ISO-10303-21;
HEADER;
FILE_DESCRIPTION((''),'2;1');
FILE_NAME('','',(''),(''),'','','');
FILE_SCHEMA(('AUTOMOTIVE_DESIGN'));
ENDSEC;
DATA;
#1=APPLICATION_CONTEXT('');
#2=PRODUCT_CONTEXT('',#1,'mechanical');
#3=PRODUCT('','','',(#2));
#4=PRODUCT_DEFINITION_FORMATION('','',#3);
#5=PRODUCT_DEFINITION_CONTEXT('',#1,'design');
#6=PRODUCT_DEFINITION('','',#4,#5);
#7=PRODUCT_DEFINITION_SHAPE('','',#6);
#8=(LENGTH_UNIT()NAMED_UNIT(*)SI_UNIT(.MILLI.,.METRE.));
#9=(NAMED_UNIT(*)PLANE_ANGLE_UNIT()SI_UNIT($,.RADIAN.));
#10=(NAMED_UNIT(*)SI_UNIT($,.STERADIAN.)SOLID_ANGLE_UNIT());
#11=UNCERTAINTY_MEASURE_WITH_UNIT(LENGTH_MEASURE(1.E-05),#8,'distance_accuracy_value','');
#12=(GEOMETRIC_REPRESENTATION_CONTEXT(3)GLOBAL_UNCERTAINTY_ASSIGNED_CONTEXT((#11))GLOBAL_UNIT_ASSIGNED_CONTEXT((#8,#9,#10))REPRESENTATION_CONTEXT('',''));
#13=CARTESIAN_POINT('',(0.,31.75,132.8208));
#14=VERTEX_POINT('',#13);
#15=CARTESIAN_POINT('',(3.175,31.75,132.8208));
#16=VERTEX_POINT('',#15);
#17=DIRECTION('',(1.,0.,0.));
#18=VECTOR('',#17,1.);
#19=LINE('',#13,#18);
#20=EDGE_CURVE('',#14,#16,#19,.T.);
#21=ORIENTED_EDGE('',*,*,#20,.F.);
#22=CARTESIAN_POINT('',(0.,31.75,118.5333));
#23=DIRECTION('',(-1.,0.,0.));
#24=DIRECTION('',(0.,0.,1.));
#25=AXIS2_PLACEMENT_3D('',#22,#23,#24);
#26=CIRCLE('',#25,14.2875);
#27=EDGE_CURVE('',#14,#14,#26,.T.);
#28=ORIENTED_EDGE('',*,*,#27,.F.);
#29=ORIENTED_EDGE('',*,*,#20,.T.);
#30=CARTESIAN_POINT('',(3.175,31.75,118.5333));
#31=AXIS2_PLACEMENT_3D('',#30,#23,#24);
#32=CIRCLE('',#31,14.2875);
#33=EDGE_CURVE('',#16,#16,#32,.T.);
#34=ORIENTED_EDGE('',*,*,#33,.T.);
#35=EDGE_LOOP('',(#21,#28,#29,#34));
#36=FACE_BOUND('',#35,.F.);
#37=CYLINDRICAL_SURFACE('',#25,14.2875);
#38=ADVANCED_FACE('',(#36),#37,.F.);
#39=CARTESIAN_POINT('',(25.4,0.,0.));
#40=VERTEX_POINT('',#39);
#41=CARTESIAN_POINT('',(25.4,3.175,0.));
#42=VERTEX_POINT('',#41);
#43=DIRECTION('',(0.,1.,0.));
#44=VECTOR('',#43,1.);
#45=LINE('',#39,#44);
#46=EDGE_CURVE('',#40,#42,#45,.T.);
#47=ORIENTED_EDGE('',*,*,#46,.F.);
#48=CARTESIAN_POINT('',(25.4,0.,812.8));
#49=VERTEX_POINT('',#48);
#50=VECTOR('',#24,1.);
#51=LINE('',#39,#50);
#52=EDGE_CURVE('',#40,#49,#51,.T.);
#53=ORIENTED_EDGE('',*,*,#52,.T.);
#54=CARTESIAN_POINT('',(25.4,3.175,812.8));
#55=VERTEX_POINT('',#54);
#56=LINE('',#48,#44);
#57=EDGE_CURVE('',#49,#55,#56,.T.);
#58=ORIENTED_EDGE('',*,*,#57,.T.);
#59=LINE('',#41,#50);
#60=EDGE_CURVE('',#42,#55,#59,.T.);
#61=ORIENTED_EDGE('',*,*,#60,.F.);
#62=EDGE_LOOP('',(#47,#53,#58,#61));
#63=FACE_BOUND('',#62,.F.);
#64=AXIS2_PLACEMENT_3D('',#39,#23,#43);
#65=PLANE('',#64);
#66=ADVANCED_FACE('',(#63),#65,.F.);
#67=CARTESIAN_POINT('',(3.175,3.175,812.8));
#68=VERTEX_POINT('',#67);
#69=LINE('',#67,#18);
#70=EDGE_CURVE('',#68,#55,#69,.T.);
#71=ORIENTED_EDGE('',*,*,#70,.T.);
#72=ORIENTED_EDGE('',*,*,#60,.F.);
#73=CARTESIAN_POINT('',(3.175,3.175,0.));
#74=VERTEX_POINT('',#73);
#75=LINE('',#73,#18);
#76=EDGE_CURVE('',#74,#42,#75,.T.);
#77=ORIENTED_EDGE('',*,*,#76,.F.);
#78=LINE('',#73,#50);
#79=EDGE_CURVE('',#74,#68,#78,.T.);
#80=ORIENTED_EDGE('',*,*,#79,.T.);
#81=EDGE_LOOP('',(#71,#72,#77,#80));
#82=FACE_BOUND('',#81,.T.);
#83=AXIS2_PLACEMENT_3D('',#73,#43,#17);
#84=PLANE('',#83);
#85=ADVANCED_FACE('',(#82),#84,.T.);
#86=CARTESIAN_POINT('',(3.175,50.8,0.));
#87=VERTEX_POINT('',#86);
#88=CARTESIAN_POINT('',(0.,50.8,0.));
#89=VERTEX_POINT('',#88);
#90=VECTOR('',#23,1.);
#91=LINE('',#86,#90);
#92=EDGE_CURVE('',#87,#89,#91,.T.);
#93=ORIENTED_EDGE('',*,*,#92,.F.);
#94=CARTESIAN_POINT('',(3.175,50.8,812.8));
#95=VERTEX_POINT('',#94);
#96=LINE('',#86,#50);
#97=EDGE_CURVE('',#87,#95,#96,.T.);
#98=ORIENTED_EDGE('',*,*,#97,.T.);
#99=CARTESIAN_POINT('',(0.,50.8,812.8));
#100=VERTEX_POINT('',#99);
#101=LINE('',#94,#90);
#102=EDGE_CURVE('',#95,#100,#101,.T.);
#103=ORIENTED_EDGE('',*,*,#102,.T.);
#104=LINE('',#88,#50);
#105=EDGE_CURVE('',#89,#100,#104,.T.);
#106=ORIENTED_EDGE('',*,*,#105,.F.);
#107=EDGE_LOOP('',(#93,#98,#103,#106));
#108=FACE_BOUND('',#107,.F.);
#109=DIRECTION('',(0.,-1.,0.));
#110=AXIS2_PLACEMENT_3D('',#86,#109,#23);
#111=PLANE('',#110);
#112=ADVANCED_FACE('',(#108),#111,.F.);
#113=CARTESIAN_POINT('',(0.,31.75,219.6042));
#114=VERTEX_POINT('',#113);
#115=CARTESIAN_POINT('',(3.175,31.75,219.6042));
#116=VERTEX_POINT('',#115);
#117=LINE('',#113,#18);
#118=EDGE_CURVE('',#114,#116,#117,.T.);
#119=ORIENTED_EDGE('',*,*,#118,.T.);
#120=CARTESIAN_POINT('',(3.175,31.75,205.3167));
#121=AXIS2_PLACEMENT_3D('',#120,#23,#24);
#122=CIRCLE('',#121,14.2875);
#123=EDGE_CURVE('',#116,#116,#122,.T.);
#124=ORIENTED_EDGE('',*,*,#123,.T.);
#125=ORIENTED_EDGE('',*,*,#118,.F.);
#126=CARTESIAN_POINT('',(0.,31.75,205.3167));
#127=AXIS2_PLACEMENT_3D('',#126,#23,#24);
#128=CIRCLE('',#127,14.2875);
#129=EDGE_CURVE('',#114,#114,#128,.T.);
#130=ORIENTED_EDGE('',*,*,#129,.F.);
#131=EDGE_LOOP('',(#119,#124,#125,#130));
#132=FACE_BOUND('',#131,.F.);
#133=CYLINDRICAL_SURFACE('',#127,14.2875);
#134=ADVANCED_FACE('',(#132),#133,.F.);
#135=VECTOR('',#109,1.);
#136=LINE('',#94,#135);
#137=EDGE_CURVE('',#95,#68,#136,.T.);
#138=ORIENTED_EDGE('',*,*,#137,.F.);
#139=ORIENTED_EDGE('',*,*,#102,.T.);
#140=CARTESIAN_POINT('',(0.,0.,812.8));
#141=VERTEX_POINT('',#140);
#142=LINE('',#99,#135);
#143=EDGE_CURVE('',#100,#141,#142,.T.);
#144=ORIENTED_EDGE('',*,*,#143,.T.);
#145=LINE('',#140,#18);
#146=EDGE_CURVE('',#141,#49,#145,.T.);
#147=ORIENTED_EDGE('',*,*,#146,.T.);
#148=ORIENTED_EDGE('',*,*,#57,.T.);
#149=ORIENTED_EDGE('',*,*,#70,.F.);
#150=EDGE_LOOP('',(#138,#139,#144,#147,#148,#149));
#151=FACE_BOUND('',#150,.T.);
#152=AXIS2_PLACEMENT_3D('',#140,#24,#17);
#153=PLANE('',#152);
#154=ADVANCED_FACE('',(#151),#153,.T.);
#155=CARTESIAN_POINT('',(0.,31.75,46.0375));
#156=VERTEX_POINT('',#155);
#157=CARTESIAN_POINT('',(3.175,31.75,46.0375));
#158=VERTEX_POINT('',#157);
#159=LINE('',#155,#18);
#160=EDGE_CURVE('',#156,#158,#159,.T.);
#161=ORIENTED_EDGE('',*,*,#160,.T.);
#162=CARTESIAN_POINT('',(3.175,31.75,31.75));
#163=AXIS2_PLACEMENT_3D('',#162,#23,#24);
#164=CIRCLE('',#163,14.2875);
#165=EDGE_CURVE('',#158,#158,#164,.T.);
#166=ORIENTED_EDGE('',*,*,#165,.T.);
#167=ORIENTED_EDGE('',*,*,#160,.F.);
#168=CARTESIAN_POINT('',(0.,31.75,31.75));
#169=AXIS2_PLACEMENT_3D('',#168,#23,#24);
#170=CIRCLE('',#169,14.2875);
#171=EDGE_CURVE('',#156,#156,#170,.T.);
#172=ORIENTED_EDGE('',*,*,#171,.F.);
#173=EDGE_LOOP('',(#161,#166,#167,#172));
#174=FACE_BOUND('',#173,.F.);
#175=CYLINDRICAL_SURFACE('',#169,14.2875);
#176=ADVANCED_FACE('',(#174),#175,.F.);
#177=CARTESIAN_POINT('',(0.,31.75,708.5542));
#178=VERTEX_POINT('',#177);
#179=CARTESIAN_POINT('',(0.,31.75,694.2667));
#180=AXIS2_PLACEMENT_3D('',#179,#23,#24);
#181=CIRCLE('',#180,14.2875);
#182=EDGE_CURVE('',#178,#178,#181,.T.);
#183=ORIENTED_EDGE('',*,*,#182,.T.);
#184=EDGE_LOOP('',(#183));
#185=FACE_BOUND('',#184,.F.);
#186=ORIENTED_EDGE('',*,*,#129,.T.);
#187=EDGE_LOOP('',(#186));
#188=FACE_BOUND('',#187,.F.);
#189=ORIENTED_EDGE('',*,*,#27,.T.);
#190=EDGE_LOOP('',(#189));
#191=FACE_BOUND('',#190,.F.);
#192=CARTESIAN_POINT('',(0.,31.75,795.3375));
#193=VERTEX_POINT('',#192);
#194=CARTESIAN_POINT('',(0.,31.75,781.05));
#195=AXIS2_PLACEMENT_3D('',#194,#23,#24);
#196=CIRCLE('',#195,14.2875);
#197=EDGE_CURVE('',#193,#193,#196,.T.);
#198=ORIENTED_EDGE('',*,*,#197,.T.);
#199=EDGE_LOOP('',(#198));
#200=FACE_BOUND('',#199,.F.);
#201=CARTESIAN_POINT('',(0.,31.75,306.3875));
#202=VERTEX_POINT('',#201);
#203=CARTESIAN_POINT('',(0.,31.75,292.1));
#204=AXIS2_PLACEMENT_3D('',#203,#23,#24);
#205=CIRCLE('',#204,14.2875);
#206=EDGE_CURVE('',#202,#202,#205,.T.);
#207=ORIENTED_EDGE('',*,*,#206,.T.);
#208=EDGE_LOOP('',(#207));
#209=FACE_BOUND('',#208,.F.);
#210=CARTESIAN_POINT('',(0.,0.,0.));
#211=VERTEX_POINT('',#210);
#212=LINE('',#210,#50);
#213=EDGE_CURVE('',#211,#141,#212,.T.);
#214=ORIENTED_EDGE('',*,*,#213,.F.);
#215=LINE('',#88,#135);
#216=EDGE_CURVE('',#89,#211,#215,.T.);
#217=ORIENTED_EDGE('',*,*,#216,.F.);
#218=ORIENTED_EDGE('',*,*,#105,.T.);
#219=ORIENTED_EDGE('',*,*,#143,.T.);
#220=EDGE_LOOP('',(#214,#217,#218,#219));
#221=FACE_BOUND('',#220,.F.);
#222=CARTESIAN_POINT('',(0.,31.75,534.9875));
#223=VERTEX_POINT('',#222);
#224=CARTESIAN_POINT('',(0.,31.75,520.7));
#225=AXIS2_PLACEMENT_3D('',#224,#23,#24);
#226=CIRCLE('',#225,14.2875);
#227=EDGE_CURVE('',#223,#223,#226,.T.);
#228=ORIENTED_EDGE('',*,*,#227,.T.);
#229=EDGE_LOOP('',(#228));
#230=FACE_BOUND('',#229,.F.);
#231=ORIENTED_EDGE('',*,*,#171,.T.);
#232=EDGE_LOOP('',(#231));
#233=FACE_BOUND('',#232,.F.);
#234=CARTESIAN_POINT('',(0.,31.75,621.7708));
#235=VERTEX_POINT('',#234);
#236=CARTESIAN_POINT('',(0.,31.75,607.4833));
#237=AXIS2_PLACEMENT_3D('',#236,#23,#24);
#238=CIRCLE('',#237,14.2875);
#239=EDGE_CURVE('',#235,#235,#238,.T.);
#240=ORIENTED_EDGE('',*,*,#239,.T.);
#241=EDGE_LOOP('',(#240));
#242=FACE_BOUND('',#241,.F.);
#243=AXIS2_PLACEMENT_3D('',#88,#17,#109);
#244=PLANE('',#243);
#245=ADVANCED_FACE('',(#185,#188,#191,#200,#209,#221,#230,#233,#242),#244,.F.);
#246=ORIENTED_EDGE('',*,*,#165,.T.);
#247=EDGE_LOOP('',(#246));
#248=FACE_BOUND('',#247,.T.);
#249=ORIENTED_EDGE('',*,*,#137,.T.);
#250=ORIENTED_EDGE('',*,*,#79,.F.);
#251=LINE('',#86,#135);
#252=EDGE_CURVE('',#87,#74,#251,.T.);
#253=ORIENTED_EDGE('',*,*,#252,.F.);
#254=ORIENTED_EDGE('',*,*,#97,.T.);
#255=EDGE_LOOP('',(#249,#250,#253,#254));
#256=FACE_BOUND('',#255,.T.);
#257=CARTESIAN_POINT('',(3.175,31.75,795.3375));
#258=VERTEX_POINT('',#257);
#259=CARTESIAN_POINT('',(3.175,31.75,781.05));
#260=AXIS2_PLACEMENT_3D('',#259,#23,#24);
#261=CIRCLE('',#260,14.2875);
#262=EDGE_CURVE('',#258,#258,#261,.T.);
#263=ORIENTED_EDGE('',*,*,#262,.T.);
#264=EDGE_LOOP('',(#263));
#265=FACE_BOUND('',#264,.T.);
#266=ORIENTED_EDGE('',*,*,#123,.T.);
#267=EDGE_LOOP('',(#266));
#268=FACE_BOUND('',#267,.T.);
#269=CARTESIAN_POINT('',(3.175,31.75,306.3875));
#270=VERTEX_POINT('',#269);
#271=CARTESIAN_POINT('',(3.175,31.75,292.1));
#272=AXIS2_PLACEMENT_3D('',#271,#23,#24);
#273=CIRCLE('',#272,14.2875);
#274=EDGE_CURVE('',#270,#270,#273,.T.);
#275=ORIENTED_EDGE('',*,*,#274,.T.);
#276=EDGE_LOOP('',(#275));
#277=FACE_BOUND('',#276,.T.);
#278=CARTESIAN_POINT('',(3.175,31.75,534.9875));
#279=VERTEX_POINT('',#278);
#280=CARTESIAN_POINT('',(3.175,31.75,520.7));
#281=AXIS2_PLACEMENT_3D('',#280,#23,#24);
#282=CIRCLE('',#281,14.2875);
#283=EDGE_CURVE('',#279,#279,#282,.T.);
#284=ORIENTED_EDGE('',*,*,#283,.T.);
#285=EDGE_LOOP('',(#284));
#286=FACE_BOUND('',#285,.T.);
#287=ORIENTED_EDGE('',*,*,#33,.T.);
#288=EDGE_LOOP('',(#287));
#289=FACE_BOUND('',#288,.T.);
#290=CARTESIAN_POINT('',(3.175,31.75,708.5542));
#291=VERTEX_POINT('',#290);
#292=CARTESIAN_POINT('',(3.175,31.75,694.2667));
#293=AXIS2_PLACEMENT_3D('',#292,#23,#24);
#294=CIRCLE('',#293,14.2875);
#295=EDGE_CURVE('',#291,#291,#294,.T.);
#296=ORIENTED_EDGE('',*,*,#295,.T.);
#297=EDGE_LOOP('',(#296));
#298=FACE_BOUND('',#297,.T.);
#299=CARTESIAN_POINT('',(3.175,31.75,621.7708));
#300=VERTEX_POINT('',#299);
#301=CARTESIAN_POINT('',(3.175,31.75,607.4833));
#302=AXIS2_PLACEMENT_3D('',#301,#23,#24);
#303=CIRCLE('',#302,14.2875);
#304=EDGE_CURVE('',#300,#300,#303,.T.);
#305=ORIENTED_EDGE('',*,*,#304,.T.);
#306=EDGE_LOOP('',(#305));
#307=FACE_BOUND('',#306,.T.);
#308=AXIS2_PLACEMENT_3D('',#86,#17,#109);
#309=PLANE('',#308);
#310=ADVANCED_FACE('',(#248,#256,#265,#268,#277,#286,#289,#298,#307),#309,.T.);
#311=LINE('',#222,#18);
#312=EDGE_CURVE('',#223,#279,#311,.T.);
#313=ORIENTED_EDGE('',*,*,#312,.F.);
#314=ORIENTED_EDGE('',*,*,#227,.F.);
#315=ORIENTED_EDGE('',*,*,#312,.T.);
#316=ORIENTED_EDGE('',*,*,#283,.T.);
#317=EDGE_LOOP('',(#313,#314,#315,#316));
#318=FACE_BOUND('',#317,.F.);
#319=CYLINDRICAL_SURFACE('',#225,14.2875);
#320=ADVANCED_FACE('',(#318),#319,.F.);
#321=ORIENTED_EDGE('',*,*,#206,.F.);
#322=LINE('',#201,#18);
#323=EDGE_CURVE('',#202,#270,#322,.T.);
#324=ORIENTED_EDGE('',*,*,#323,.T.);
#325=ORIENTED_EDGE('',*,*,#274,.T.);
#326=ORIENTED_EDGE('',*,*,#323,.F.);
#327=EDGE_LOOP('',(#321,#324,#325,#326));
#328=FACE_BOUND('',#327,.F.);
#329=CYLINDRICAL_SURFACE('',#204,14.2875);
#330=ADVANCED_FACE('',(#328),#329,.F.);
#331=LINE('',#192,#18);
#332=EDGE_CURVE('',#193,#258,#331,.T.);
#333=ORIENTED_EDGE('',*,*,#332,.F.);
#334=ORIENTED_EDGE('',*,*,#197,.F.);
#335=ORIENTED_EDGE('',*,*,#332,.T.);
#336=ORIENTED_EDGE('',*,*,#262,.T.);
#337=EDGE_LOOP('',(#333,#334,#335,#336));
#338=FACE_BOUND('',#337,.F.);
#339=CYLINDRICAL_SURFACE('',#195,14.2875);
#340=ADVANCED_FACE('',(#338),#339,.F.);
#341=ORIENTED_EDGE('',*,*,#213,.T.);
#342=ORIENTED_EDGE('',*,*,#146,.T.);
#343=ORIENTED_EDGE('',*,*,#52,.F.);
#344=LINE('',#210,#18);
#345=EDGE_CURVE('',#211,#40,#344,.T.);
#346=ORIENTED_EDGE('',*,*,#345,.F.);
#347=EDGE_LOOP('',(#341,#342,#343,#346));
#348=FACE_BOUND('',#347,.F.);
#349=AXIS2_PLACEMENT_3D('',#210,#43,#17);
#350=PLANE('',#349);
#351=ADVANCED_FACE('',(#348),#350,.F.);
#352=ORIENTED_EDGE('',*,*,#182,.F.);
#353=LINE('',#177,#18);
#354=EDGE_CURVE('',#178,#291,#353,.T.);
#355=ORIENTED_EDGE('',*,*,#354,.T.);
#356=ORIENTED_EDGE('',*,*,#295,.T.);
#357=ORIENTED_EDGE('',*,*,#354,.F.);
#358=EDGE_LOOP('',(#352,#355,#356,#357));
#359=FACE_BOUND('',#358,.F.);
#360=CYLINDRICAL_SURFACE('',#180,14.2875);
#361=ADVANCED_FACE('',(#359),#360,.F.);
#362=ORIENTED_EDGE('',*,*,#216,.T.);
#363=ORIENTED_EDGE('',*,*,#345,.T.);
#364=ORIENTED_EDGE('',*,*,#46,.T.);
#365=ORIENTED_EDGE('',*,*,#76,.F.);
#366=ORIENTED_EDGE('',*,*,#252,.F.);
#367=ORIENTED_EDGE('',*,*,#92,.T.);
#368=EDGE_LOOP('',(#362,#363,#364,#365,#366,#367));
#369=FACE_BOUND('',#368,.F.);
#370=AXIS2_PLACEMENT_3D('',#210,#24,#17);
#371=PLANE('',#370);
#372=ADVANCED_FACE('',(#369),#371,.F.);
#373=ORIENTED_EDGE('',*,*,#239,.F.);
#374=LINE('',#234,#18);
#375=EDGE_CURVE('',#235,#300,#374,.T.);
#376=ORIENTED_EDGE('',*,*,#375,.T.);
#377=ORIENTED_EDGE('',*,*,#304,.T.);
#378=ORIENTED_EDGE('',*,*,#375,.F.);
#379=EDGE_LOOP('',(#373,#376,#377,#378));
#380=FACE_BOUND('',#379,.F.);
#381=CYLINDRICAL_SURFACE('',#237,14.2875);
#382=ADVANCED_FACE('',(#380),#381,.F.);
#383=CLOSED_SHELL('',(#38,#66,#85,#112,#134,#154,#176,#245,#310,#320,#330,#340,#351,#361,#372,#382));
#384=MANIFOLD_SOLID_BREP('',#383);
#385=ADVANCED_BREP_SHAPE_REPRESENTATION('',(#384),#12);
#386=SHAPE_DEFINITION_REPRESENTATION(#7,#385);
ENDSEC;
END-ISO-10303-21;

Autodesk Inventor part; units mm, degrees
ref_plane "YZ Plane" through (0, 0, 0) normal (1, 0, 0) x (0, 1, 0)
ref_plane "XZ Plane" through (0, 0, 0) normal (0, 1, 0) x (-1, 0, 0)
ref_plane "XY Plane" through (0, 0, 0) normal (0, 0, 1) x (1, 0, 0)
sketch "Sketch1" plane through (0, 0, 0) normal (0, 0, 1) x (1, 0, 0)
  line L0 (0, 0) -> (25.4, 0)
  line L1 (25.4, 0) -> (25.4, 3.175)
  line L2 (3.175, 50.8) -> (0, 50.8)
  line L3 (0, 50.8) -> (0, 0)
  line L4 (3.175, 50.8) -> (3.175, 3.175)
  line L5 (3.175, 3.175) -> (25.4, 3.175)
  dimension "d0" = 50.8
  dimension "d1" = 25.4
  dimension "d2" = 3.175
  dimension "d3" = 3.175
extrude "Extrusion1" add sketch "Sketch1" along normal blind 812.8
sketch "Sketch2" plane through (0, 0, 0) normal (-1, 0, 0) x (0, 0, 1)
  line L0 (812.8, 0) -> (812.8, 50.8) projected
  line L1 (0, 50.8) -> (812.8, 50.8) projected
  line L2 (0, 50.8) -> (0, 0) projected
  circle A0 centre (781.05, 31.75) radius 14.2875
  circle A1 centre (520.7, 31.75) radius 14.2875
  circle A2 centre (292.1, 31.75) radius 14.2875
  circle A3 centre (31.75, 31.75) radius 14.2875
  circle A4 centre (694.2667, 31.75) radius 14.2875
  circle A5 centre (205.3167, 31.75) radius 14.2875
  circle A6 centre (118.5333, 31.75) radius 14.2875
  circle A7 centre (607.4833, 31.75) radius 14.2875
  dimension "d6" = 28.575
  dimension "d7" = 31.75
  dimension "d8" = 19.05
  dimension "d9" = 28.575
  dimension "d10" = 228.6
  dimension "d11" = 31.75
  dimension "d15" = 260.35
  dimension "d16" = 86.7833
  dimension "d17" = 86.7833
  dimension "d18" = 812.8
  dimension "d19" = 86.7833
  dimension "d20" = 86.7833
extrude "Extrusion2" cut sketch "Sketch2" against normal through all
equation "\"d2\" = d3"
equation "\"d11\" = d7"
equation "\"d15\" = 0.5 * d18 - 0.5 * d10 - d7"
equation "\"d16\" = 0.333333 * d15"
equation "\"d17\" = d16"
equation "\"d19\" = d16"
equation "\"d20\" = d17"
properties part number "maipulator L frame front 2"
